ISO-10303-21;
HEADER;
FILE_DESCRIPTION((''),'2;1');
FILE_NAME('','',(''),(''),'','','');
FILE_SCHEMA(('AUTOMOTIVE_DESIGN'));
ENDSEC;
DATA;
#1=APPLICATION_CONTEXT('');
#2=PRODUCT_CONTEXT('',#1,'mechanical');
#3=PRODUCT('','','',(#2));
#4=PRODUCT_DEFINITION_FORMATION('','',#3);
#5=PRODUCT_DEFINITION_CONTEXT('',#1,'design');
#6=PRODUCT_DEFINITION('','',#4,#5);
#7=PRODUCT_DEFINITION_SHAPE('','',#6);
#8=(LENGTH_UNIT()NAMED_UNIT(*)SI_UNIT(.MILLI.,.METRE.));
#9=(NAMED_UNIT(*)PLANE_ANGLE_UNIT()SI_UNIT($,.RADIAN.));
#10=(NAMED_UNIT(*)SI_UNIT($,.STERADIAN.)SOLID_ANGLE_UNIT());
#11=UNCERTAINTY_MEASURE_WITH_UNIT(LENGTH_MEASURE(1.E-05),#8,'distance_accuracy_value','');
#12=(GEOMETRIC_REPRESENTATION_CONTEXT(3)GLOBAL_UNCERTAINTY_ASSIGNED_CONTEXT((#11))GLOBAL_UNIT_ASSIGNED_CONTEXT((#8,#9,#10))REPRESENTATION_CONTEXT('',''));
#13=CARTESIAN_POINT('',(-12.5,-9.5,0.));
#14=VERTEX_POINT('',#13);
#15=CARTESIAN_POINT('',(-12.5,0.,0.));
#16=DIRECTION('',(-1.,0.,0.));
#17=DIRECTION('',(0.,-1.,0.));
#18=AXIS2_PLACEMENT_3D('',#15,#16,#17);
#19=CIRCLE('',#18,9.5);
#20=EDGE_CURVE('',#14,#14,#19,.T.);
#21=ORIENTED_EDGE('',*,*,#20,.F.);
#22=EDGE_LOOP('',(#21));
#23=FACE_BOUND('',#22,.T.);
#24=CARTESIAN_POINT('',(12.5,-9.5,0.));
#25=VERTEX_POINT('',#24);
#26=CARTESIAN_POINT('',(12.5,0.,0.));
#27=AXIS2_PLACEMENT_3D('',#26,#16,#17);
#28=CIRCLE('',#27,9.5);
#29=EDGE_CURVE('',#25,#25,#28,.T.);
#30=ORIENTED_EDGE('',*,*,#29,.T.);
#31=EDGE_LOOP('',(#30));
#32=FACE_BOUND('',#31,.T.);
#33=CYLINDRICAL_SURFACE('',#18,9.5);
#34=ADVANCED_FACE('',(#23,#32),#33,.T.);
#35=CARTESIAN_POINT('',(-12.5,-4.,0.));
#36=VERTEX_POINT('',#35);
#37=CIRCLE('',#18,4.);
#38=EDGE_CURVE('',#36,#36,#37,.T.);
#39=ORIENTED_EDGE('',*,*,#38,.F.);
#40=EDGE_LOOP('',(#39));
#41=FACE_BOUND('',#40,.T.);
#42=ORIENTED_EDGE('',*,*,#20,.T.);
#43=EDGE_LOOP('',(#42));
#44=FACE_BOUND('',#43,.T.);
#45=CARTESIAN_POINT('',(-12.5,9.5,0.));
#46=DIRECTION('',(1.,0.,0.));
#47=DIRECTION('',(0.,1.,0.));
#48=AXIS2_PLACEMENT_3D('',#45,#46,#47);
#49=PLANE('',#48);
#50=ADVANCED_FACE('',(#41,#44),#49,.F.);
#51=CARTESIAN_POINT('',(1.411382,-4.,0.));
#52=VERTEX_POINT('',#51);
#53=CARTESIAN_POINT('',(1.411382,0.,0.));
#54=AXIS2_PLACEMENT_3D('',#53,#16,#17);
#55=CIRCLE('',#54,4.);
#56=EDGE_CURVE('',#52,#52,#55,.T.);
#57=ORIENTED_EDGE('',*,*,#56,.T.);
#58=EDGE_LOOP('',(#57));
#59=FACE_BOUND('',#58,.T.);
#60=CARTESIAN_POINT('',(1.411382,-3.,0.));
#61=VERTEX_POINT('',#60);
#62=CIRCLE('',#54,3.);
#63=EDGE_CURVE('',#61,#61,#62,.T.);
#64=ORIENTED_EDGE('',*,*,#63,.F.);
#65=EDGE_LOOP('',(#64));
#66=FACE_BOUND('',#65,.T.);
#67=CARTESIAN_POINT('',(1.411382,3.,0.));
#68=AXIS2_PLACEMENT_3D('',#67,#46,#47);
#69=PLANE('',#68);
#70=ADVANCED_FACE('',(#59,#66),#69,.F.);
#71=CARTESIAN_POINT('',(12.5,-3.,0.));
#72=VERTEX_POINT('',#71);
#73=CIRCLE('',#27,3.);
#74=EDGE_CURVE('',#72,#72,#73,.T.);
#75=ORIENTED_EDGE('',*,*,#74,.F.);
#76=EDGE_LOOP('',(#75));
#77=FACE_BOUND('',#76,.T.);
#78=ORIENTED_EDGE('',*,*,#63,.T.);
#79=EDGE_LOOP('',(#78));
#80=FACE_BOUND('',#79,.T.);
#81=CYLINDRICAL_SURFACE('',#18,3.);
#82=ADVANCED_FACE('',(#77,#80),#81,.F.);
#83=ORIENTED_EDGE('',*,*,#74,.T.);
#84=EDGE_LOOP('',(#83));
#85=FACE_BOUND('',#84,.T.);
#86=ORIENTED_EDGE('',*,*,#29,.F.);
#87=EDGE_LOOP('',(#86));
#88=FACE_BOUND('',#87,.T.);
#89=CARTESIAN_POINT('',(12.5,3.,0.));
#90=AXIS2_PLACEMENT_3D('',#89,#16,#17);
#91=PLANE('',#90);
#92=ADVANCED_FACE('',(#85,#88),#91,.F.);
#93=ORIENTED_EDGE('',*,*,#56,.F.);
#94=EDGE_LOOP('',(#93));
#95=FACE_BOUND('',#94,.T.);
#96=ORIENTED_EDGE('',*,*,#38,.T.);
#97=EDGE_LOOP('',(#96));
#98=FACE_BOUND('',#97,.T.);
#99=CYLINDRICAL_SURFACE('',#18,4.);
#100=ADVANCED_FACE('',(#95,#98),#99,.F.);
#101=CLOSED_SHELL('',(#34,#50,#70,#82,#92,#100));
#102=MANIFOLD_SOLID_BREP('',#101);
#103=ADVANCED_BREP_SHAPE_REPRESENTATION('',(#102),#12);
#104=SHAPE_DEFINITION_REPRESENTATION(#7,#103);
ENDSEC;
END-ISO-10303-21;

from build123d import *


with BuildPart() as part:
    # Sketch1 → Revolve1 (revolve)
    with BuildSketch(Plane.XY):
        Polygon((12.5, 3), (12.5, 9.5), (-12.5, 9.5), (-12.5, 4), (1.411382145, 4), (1.411382145, 3), align=None)
    revolve(axis=Axis((-12.5, 0, 0), (1, 0, 0)))


solid = part.part
